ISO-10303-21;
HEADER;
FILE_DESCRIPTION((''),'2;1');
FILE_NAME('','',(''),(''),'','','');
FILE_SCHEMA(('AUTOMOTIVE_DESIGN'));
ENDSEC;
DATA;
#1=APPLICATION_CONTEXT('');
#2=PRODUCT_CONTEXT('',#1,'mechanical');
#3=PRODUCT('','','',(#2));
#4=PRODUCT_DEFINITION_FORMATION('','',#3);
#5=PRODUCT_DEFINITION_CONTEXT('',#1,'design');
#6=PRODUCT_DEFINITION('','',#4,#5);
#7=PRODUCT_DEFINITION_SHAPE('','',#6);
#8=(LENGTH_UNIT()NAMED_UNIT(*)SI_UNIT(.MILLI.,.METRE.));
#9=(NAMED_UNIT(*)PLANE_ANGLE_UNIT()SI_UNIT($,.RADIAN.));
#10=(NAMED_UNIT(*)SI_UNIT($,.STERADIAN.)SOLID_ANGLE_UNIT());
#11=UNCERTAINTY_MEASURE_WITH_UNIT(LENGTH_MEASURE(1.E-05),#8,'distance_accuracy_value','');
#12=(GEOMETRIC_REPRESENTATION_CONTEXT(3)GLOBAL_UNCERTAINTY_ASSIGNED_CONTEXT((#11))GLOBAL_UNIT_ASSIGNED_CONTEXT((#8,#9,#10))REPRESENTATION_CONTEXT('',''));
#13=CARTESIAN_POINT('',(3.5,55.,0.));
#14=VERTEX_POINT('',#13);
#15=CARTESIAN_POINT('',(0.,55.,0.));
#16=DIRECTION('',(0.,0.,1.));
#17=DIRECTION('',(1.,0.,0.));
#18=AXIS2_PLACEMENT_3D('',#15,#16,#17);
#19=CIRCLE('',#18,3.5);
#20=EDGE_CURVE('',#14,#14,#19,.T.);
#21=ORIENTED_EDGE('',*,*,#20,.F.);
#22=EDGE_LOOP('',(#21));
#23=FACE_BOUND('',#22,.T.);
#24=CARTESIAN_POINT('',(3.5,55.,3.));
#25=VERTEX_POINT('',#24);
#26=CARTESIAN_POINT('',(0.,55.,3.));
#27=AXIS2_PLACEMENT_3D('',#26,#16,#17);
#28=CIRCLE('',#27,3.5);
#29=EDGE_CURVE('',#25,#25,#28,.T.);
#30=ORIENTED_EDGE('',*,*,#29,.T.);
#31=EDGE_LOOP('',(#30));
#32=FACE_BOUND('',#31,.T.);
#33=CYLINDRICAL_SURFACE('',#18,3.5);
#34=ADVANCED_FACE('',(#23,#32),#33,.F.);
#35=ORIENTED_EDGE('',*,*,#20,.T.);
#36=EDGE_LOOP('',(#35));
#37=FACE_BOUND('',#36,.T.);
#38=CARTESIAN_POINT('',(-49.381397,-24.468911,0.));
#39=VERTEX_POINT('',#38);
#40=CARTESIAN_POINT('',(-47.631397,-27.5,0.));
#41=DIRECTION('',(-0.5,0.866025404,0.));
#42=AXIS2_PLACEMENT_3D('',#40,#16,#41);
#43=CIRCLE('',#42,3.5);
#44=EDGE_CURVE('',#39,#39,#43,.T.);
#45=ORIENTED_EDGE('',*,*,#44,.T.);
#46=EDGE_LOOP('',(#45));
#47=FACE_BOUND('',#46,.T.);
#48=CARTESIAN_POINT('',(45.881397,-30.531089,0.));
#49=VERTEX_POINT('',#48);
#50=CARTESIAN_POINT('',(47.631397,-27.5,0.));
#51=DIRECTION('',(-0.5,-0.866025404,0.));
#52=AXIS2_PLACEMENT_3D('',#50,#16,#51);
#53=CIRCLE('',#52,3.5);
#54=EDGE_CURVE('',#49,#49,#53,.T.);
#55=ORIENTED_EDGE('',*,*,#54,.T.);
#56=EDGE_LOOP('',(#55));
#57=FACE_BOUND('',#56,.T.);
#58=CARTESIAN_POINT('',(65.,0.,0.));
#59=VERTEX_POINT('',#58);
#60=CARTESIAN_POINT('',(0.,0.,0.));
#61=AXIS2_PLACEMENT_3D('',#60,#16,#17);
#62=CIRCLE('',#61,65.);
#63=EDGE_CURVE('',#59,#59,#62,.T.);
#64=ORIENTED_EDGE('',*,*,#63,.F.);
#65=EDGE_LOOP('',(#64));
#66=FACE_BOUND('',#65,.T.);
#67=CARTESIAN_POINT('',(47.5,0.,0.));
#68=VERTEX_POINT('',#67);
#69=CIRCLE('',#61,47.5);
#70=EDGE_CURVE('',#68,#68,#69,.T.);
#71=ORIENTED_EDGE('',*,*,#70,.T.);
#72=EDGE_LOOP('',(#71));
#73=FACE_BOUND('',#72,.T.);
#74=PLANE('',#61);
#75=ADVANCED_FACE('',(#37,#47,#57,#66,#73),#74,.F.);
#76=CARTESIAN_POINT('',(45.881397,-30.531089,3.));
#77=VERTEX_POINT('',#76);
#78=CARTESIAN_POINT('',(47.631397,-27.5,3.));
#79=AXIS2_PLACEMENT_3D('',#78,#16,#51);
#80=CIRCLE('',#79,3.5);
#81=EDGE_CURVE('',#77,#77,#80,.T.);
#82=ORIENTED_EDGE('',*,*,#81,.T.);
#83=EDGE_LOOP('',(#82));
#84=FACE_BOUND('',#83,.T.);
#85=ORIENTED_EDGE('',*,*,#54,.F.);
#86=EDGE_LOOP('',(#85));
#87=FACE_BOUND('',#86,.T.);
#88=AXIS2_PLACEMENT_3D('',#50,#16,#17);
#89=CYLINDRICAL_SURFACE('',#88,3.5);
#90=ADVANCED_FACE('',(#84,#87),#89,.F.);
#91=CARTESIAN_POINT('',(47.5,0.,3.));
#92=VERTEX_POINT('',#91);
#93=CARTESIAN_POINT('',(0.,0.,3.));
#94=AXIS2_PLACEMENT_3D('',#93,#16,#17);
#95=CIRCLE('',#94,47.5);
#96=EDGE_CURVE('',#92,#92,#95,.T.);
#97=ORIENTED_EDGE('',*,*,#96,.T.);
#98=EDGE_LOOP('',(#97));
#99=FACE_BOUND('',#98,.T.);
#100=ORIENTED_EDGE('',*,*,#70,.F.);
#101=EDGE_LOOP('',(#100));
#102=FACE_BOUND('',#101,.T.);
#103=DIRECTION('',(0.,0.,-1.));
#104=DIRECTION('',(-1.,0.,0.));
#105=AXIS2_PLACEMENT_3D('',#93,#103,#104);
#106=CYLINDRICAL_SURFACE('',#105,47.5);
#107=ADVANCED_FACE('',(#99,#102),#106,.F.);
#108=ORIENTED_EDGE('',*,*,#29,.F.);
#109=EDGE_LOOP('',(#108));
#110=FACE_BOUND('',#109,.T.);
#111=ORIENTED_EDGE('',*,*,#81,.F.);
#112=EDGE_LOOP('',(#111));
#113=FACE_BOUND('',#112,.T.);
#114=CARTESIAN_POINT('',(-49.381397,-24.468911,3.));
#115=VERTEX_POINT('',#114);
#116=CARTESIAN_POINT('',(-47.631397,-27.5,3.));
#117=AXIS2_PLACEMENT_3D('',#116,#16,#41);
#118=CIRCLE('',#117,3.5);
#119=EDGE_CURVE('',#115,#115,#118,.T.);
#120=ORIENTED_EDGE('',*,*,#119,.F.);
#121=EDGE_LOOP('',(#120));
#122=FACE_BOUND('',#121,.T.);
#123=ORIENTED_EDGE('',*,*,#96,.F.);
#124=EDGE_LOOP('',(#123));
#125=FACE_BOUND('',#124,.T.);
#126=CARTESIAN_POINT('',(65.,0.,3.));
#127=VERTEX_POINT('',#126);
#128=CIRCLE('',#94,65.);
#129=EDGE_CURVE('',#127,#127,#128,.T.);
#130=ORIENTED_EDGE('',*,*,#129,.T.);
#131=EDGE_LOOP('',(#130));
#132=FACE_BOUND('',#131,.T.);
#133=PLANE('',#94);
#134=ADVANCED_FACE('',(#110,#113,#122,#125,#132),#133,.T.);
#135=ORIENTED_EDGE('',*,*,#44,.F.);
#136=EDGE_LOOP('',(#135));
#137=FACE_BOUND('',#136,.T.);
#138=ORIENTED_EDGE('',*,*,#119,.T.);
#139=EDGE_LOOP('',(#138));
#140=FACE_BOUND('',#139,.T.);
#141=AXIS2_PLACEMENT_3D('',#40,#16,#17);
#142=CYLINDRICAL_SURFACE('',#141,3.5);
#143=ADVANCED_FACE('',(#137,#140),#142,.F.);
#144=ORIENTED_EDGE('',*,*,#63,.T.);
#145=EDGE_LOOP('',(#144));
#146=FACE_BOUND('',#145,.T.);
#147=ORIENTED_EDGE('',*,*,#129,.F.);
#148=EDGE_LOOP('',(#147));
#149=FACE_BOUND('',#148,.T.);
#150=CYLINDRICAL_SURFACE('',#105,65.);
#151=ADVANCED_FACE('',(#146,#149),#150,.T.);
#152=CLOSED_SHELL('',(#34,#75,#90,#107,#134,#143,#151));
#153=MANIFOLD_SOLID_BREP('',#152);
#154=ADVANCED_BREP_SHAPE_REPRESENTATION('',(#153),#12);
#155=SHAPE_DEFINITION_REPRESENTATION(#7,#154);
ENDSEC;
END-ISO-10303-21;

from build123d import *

# Parameters (mm, degrees)
SKETCH1_R           = 65
SKETCH1_R_2         = 47.5
BOSS_EXTRUDE1_DEPTH = 3
SKETCH2_R           = 3.5
CUT_EXTRUDE1_DEPTH  = 3
CIRPATTERN1_COUNT   = 3


with BuildPart() as part:
    # Sketch1 → Boss-Extrude1 (new body)
    with BuildSketch(Plane.XY):
        Circle(SKETCH1_R)
        Circle(SKETCH1_R_2, mode=Mode.SUBTRACT)
    extrude(amount=BOSS_EXTRUDE1_DEPTH)

    # Sketch2 → Cut-Extrude1 (cut)
    with BuildSketch(Plane.XY.offset(3)):
        with Locations((0, 55)):
            Circle(SKETCH2_R)
    cut_extrude1 = extrude(amount=-CUT_EXTRUDE1_DEPTH, mode=Mode.SUBTRACT)

    # CirPattern1: Cut-Extrude1 ×3 about axis
    cirpattern1_axis = Axis((0, 0, 0), (0, 0, 1))
    for i in range(1, CIRPATTERN1_COUNT):
        add(cut_extrude1.rotate(cirpattern1_axis, i * 360 / CIRPATTERN1_COUNT), mode=Mode.SUBTRACT)


solid = part.part
